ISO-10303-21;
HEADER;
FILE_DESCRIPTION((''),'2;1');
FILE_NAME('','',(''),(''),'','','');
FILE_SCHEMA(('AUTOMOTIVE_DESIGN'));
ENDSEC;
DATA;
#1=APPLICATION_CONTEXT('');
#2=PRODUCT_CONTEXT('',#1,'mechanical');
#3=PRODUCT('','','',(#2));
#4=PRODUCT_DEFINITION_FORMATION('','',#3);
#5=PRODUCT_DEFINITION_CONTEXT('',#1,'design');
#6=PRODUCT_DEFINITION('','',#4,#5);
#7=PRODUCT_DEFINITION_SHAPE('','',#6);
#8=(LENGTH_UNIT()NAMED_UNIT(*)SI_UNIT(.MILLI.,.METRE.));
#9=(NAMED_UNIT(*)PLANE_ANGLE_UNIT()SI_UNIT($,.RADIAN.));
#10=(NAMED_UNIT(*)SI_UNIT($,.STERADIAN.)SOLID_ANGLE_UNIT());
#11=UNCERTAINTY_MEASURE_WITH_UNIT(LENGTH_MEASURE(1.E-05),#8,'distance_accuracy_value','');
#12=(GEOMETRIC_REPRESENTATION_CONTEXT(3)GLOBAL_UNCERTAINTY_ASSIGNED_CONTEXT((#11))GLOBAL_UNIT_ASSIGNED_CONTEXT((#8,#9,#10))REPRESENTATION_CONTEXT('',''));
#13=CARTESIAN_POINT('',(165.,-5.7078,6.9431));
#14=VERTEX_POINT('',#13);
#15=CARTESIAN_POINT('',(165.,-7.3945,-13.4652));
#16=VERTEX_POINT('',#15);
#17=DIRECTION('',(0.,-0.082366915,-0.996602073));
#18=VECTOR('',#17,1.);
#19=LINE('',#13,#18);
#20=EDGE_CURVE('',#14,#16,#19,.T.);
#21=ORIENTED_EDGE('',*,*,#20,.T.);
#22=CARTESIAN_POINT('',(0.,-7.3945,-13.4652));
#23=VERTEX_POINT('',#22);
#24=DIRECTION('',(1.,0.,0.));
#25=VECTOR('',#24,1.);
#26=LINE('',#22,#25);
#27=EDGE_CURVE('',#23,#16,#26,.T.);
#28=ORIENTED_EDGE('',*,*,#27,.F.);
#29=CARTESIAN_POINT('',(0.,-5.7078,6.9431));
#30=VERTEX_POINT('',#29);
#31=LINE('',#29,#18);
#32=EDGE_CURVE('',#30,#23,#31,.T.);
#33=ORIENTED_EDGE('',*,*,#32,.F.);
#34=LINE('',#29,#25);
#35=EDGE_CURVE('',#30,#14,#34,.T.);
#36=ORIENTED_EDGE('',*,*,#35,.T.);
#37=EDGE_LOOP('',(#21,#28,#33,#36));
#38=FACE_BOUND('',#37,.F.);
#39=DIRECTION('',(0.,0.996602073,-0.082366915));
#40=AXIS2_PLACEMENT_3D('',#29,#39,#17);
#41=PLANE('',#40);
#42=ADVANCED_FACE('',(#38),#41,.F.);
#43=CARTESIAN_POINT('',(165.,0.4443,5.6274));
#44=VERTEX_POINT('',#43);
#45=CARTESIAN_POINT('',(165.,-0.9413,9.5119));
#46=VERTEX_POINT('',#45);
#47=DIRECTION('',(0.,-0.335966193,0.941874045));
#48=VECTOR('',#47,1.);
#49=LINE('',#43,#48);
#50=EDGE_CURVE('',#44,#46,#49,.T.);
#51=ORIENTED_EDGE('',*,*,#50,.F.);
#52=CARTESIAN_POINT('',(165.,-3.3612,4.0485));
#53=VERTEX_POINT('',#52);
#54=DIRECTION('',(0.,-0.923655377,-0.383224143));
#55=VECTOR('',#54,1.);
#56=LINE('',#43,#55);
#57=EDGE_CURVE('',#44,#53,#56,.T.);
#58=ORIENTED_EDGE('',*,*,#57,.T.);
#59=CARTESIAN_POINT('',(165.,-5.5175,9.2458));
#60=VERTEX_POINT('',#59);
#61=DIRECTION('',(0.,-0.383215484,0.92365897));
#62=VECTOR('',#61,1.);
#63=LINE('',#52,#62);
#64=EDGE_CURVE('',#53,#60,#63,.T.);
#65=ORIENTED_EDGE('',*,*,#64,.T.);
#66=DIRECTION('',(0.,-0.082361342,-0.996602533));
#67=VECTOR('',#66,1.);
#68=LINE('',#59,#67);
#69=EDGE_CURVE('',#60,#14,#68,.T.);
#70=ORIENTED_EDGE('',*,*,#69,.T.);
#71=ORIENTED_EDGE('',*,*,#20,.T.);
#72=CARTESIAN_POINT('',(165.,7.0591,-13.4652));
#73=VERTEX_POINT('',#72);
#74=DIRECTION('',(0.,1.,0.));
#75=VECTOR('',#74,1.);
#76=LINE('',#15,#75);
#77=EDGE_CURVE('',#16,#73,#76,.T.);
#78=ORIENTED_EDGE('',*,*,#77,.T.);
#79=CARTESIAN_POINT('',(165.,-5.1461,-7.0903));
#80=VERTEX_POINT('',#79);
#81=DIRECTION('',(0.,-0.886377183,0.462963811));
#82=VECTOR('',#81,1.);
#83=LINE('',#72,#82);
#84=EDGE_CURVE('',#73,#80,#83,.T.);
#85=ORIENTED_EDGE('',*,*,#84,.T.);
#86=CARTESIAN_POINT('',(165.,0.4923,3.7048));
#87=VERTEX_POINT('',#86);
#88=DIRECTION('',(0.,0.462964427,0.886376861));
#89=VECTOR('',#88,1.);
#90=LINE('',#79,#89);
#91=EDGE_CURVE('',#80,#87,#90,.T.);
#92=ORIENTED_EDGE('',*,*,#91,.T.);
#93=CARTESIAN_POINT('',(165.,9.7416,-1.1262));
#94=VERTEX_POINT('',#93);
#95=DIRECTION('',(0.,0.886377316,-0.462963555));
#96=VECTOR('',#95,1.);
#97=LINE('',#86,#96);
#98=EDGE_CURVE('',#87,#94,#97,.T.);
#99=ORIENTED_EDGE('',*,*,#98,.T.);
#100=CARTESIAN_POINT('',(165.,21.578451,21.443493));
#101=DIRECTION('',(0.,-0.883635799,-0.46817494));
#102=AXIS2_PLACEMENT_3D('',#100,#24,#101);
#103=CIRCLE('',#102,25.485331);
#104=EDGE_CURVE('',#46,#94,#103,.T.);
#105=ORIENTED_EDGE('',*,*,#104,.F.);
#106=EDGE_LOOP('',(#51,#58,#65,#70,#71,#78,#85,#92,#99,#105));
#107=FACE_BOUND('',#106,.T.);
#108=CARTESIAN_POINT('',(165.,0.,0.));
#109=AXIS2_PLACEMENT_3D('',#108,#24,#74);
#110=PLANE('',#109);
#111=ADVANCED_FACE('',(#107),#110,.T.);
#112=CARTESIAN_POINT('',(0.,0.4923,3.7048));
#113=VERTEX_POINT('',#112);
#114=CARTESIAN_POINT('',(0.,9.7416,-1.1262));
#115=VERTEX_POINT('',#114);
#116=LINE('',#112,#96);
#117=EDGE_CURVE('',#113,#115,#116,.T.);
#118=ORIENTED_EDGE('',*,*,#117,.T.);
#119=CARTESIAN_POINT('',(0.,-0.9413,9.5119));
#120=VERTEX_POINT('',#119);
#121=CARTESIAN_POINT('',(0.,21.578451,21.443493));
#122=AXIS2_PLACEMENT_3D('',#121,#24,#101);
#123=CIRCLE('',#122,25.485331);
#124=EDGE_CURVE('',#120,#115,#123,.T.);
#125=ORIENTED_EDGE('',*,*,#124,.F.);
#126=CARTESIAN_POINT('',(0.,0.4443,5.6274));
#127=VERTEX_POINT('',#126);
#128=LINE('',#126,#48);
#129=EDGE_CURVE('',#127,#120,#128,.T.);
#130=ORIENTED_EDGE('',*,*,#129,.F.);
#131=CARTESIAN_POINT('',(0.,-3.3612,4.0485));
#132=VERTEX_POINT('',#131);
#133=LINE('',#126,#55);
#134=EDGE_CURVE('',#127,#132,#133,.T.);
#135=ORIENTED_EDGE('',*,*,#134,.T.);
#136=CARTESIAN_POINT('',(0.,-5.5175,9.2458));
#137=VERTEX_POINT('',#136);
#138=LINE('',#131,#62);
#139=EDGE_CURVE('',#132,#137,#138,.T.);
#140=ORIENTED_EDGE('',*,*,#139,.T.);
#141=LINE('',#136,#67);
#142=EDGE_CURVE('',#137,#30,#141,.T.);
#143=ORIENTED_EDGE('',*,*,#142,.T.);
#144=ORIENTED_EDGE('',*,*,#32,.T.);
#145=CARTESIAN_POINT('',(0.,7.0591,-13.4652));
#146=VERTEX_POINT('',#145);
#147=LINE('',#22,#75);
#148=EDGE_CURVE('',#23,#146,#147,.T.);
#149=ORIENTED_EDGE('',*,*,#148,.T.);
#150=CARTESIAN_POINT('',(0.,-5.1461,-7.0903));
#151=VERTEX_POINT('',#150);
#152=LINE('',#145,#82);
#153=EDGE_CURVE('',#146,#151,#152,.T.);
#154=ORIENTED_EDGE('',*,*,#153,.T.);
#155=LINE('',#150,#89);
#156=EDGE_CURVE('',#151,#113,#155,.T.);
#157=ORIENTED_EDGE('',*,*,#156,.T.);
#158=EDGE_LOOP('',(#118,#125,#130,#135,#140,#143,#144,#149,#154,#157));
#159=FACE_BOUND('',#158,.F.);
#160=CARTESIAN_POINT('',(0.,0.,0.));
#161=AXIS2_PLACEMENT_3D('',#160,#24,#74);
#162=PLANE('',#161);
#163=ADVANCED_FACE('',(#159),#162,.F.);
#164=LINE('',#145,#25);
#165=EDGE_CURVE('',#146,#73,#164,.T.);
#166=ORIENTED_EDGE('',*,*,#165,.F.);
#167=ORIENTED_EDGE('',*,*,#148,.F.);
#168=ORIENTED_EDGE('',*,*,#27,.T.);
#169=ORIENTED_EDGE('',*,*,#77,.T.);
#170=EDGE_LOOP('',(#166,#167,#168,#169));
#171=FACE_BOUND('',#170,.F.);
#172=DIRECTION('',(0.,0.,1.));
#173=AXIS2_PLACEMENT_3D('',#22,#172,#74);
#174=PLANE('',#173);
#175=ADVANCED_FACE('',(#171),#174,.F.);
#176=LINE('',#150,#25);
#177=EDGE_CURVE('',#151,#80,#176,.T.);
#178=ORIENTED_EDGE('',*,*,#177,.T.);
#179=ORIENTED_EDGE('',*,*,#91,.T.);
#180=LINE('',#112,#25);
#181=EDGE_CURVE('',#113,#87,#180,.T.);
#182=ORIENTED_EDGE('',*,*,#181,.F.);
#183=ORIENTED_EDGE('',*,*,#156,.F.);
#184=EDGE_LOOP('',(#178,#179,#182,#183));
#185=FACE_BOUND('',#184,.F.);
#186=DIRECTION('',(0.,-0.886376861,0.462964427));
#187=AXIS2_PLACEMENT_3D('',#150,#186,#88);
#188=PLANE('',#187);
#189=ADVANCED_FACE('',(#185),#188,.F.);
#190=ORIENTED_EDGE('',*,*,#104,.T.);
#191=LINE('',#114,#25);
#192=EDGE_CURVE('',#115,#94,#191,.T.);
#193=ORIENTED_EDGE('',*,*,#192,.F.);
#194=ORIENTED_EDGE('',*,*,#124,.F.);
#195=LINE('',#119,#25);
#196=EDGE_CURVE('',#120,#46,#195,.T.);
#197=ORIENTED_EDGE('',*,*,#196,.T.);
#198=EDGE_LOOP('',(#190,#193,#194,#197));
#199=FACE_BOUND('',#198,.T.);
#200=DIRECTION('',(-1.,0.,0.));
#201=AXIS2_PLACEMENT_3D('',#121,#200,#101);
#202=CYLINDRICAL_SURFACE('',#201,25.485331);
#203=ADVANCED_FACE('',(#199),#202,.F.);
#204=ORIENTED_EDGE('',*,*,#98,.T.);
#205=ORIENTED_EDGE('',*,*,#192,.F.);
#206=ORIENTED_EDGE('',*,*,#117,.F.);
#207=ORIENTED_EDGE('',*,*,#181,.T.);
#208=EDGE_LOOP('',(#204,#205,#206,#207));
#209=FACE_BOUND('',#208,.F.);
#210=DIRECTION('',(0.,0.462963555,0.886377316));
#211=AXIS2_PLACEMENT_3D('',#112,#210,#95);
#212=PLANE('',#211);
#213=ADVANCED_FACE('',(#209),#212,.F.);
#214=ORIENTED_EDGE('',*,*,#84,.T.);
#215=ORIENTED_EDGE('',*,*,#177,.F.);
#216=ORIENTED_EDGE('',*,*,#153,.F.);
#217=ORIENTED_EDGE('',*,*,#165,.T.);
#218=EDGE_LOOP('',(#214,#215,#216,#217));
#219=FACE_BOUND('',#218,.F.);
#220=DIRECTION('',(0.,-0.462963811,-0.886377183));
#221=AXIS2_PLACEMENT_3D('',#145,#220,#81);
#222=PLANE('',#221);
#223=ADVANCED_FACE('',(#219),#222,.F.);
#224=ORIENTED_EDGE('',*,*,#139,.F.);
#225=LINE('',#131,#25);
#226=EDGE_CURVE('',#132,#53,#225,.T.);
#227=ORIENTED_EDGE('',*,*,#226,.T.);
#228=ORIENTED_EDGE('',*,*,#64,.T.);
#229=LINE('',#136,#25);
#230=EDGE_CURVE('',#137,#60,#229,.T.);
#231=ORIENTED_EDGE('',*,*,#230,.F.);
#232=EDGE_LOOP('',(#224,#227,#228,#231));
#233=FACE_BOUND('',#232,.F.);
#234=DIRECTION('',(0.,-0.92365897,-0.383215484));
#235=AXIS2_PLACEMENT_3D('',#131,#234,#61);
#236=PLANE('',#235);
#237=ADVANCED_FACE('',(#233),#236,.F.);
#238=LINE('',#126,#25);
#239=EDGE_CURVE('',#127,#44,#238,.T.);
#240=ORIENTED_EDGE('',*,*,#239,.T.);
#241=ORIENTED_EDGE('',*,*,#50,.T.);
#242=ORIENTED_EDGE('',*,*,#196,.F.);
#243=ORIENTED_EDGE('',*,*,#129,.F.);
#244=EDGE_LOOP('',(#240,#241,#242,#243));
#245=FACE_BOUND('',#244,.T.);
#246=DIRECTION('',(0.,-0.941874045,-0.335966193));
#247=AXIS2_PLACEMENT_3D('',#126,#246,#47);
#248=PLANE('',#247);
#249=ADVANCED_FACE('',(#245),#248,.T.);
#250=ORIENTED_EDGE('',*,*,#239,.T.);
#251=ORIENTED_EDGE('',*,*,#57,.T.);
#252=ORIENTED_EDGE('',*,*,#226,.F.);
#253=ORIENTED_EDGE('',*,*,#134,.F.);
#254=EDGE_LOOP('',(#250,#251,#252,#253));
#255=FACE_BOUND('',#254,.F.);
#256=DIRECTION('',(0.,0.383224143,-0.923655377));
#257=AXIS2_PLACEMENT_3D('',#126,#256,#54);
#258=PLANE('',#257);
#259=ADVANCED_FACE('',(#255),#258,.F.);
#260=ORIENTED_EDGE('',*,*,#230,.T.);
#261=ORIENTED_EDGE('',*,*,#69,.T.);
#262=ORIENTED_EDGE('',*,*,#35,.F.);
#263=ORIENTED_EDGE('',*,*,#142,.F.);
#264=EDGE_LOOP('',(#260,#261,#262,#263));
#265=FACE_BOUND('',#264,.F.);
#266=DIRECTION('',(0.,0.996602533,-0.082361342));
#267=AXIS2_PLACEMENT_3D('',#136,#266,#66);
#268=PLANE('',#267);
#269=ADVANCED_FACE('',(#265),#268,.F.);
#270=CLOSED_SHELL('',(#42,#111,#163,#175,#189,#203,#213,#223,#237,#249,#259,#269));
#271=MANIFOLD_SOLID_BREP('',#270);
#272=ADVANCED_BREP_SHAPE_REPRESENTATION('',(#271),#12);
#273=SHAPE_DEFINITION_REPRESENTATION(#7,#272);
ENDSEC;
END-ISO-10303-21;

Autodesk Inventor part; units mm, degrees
ref_plane "YZ Plane" through (0, 0, 0) normal (1, 0, 0) x (0, 1, 0)
ref_plane "XZ Plane" through (0, 0, 0) normal (0, 1, 0) x (-1, 0, 0)
ref_plane "XY Plane" through (0, 0, 0) normal (0, 0, 1) x (1, 0, 0)
sketch "Esboço1" plane through (0, 0, 0) normal (1, 0, 0) x (0, 1, 0)
  line L0 (0.4443, 5.6274) -> (-0.9413, 9.5119)
  line L1 (0.4443, 5.6274) -> (-3.3612, 4.0485)
  line L2 (-3.3612, 4.0485) -> (-5.5175, 9.2458)
  line L3 (-5.5175, 9.2458) -> (-5.7078, 6.9431)
  line L4 (-7.3945, -13.4652) -> (7.0591, -13.4652)
  line L5 (7.0591, -13.4652) -> (-5.1461, -7.0903)
  line L6 (-5.1461, -7.0903) -> (0.4923, 3.7048)
  line L7 (0.4923, 3.7048) -> (9.7416, -1.1262)
  arc A0 (-0.9413, 9.5119) -> (9.7416, -1.1262) centre (21.579, 21.4439) ccw
  line L8 (-5.7078, 6.9431) -> (-7.3945, -13.4652)
  point P0 (-0.6447, 8.6807)
extrude "Extrusão1" add sketch "Esboço1" along normal blind 165
properties part number "juncao controle tela"
